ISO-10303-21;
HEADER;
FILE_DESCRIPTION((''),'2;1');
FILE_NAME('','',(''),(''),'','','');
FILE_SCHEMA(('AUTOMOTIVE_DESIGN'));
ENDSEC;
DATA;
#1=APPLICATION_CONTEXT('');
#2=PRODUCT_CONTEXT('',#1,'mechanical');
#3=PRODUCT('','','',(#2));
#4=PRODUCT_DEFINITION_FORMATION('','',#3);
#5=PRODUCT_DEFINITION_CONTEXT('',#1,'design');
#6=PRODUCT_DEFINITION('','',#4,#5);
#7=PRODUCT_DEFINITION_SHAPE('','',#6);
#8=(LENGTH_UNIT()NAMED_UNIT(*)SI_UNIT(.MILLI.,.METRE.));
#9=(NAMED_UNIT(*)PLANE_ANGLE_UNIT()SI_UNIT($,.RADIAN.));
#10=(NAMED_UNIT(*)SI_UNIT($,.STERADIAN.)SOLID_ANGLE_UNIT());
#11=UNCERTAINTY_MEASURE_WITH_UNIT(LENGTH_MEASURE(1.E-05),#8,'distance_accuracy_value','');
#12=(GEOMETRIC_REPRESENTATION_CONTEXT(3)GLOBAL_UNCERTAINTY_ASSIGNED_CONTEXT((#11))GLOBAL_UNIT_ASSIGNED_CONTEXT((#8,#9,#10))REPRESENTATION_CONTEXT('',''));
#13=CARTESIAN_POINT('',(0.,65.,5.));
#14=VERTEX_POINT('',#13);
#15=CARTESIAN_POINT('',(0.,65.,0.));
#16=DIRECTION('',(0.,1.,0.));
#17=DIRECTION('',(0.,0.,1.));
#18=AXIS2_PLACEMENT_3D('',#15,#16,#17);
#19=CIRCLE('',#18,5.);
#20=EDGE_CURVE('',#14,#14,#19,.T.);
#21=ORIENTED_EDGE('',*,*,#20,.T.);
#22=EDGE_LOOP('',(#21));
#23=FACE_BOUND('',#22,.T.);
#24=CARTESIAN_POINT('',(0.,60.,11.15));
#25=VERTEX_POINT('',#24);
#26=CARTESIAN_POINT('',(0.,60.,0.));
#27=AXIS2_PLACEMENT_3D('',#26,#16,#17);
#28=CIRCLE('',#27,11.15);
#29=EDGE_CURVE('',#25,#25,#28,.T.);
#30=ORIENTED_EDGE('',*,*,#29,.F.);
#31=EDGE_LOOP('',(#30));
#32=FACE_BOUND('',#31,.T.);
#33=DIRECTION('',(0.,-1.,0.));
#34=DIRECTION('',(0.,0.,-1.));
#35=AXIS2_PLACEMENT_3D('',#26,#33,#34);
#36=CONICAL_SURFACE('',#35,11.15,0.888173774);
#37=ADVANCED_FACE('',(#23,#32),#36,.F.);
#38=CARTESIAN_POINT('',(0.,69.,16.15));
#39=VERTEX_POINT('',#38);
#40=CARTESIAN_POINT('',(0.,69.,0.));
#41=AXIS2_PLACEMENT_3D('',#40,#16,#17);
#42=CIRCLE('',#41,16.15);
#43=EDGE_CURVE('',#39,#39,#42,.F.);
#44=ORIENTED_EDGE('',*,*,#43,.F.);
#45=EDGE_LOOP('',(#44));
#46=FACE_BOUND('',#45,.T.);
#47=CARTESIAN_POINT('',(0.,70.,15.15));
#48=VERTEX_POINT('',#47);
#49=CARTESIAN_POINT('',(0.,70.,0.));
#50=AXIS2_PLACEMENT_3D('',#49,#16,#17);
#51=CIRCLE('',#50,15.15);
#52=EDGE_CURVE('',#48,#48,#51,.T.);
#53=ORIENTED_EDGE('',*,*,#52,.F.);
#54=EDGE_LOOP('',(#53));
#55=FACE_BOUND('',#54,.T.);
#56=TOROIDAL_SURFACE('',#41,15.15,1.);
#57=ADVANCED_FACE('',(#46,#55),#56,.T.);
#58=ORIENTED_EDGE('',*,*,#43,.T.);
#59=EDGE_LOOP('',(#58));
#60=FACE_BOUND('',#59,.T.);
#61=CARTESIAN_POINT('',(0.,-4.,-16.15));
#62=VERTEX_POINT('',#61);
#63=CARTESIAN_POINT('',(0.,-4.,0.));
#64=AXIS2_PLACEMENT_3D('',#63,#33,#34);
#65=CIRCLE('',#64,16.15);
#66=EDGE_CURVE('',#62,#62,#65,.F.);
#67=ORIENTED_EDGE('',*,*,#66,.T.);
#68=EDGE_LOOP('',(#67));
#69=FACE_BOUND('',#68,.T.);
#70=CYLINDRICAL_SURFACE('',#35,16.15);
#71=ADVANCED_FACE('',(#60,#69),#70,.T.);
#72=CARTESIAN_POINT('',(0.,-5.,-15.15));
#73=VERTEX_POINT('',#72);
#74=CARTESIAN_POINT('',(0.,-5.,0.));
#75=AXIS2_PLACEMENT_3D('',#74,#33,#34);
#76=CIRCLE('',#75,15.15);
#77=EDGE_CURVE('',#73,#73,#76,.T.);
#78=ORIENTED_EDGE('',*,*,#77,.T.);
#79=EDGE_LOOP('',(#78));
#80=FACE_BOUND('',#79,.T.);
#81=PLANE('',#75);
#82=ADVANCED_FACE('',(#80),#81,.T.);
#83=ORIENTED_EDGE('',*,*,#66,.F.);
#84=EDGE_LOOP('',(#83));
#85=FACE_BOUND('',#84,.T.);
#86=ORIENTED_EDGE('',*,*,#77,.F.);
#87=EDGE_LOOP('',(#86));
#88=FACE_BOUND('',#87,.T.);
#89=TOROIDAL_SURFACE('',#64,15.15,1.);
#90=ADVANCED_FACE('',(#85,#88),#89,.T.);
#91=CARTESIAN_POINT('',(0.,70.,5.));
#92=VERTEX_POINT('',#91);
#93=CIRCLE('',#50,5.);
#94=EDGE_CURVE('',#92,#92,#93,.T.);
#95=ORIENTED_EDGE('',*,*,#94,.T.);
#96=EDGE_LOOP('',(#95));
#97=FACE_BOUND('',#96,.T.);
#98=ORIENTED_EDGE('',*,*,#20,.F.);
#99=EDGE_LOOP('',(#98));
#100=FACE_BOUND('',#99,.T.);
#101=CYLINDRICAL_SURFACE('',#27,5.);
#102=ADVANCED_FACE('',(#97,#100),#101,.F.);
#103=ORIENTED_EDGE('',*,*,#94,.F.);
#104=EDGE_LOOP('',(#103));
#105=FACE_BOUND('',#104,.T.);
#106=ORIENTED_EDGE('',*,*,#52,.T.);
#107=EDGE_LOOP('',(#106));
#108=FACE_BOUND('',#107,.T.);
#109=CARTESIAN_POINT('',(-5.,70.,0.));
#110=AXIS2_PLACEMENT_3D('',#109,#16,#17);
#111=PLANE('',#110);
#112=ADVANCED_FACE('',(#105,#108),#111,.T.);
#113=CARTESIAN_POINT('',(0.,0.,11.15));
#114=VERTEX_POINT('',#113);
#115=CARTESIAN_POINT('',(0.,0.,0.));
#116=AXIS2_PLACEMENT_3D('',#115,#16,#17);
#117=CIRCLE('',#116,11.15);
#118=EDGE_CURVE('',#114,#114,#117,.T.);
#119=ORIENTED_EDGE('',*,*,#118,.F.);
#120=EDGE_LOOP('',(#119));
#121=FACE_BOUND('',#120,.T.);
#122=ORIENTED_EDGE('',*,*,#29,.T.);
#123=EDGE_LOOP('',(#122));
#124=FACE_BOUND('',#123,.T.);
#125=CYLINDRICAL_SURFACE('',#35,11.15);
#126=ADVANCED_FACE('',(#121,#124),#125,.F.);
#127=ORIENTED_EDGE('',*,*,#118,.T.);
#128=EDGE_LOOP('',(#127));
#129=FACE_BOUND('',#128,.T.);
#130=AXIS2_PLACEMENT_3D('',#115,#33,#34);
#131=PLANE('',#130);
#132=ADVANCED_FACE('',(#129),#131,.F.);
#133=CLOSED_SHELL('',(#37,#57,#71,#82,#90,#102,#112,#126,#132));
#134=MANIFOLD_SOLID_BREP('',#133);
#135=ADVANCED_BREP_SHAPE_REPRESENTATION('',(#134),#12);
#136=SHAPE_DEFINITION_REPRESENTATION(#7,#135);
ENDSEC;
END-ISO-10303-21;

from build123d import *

# Parameters (mm, degrees)
SKETCH1_R           = 16.15
SKETCH1_R_2         = 11.15
BOSS_EXTRUDE1_DEPTH = 60
BOSS_EXTRUDE2_START = 5
SKETCH2_R           = 16.15
BOSS_EXTRUDE2_DEPTH = 5
FILLET1_R           = 1


with BuildPart() as part:
    # Sketch1 → Boss-Extrude1 (new body)
    with BuildSketch(Plane(origin=(0, 0, 0), x_dir=(1, 0, 0), z_dir=(0, 1, 0))):
        with Locations(Location((0, 0, 0), (0, 0, 270))):
            Circle(SKETCH1_R)
        with Locations(Location((0, 0, 0), (0, 0, 270))):
            Circle(SKETCH1_R_2, mode=Mode.SUBTRACT)
    extrude(amount=BOSS_EXTRUDE1_DEPTH)

    # Sketch2 → Boss-Extrude2 (add)
    with BuildSketch(Plane.XZ.offset(BOSS_EXTRUDE2_START)):
        with Locations(Location((0, 0, 0), (0, 0, 270))):
            Circle(SKETCH2_R)
    extrude(amount=-BOSS_EXTRUDE2_DEPTH)

    # Sketch3 → Revolve1 (revolve)
    with BuildSketch(Plane.XY, mode=Mode.PRIVATE) as revolve1_sk:
        Polygon((-11.15, 60), (-5, 65), (-5, 70), (-16.15, 70), (-16.15, 60), align=None)
    revolve(revolve1_sk.sketch.rotate(Axis((0, 60, 0), (0, -1, 0)), 270), axis=Axis((0, 60, 0), (0, -1, 0)))

    # Fillet1
    fillet1_edges = [part.edges().sort_by_distance(p)[0] for p in [
        (0, 70, -16.15),
        (0, -5, 16.15),
    ]]
    fillet(fillet1_edges, radius=FILLET1_R)


solid = part.part
